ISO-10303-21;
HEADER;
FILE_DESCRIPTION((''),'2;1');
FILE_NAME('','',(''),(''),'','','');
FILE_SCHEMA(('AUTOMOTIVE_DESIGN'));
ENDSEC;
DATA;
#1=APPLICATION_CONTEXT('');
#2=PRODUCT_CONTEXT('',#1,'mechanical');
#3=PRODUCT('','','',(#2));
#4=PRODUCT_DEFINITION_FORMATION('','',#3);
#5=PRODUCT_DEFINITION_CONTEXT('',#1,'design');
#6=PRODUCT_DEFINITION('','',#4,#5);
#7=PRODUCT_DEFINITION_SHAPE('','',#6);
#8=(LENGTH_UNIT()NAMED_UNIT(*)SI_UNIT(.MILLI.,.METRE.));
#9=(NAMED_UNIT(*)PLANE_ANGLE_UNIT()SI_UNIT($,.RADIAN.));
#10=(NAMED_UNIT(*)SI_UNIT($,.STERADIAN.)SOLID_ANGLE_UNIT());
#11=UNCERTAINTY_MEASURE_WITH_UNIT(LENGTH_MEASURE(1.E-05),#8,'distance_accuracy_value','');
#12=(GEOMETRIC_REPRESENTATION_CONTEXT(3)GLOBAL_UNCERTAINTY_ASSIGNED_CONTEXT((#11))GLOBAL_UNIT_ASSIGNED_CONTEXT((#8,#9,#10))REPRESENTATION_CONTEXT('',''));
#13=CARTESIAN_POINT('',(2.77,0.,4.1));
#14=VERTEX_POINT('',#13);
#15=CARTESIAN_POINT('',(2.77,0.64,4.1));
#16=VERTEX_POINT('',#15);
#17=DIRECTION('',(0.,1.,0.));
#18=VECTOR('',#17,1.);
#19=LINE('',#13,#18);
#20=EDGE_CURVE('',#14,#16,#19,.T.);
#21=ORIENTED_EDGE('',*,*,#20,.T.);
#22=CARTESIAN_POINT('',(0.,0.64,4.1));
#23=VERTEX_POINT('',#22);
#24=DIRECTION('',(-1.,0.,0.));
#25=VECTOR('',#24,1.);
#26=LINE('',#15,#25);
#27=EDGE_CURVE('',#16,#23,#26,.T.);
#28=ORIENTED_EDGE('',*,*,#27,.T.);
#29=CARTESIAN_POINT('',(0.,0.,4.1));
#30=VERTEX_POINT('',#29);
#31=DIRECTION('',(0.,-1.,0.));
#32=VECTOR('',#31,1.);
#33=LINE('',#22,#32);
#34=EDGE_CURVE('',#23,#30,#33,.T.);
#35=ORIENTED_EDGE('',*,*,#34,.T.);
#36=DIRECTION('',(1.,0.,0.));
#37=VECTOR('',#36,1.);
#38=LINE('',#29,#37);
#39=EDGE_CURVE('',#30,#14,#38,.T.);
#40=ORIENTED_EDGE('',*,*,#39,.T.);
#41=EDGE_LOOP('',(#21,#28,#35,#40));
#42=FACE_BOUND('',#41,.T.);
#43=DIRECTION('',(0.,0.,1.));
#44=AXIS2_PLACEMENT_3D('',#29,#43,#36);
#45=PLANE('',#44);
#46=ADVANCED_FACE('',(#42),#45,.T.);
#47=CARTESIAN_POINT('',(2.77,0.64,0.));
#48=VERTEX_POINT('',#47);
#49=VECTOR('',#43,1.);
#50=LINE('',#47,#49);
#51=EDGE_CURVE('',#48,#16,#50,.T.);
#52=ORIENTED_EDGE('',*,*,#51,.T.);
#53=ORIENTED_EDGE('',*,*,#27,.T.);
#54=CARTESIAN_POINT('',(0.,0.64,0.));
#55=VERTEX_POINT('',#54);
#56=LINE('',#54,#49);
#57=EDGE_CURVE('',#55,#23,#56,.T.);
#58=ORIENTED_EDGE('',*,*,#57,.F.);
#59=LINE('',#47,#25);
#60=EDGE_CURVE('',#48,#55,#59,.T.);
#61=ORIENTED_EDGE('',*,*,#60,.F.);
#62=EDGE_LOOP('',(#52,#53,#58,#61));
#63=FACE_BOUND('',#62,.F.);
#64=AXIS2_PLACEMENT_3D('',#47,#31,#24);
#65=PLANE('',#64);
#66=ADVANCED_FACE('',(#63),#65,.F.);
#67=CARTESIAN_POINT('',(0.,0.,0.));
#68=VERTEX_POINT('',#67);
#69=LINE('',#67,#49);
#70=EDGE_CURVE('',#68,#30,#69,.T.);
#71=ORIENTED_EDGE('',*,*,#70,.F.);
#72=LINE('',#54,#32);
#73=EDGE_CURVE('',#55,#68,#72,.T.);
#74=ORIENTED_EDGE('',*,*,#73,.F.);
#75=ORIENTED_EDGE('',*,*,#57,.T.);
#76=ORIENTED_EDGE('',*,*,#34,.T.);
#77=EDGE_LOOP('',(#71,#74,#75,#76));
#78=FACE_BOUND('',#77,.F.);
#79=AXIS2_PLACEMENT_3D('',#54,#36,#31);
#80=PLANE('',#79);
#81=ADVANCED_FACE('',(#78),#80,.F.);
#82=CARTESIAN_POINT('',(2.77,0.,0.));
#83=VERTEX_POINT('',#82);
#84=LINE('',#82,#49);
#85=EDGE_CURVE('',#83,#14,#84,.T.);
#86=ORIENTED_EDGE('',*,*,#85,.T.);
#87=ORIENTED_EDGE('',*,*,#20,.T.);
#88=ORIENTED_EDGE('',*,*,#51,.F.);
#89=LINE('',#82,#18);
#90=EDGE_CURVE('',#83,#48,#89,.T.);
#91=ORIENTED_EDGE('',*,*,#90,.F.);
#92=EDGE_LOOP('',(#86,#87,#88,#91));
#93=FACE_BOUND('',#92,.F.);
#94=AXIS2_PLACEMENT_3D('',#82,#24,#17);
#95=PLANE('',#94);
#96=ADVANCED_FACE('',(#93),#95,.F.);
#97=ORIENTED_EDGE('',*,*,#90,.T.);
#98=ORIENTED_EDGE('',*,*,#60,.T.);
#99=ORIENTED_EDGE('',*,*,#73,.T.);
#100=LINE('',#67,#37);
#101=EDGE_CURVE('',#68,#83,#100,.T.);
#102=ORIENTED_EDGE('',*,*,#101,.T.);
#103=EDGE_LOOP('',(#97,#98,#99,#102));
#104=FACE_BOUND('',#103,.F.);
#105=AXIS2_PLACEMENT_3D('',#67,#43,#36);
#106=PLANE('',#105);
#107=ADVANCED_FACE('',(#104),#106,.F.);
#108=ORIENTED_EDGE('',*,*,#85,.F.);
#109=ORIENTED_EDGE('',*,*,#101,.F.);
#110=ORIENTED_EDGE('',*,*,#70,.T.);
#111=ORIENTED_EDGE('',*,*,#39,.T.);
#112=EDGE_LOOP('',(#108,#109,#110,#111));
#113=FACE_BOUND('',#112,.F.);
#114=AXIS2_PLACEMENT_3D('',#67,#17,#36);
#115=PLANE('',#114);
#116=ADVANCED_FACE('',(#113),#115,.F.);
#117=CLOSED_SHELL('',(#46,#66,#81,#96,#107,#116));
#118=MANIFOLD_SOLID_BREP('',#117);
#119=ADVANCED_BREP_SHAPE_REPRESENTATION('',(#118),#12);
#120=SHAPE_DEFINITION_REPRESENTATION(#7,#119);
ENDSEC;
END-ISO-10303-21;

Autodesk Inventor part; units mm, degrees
ref_plane "YZ Plane" through (0, 0, 0) normal (1, 0, 0) x (0, 1, 0)
ref_plane "XZ Plane" through (0, 0, 0) normal (0, 1, 0) x (-1, 0, 0)
ref_plane "XY Plane" through (0, 0, 0) normal (0, 0, 1) x (1, 0, 0)
sketch "Sketch1" plane through (0, 0, 0) normal (0, 0, 1) x (1, 0, 0)
  line L0 (0, 0) -> (2.77, 0)
  line L1 (2.77, 0) -> (2.77, 0.64)
  line L2 (2.77, 0.64) -> (0, 0.64)
  line L3 (0, 0.64) -> (0, 0)
  dimension "d0" = 2.77
  dimension "d1" = 0.64
extrude "Extrusion1" add sketch "Sketch1" along normal blind 4.1
properties part number "Potentiometer Key"
